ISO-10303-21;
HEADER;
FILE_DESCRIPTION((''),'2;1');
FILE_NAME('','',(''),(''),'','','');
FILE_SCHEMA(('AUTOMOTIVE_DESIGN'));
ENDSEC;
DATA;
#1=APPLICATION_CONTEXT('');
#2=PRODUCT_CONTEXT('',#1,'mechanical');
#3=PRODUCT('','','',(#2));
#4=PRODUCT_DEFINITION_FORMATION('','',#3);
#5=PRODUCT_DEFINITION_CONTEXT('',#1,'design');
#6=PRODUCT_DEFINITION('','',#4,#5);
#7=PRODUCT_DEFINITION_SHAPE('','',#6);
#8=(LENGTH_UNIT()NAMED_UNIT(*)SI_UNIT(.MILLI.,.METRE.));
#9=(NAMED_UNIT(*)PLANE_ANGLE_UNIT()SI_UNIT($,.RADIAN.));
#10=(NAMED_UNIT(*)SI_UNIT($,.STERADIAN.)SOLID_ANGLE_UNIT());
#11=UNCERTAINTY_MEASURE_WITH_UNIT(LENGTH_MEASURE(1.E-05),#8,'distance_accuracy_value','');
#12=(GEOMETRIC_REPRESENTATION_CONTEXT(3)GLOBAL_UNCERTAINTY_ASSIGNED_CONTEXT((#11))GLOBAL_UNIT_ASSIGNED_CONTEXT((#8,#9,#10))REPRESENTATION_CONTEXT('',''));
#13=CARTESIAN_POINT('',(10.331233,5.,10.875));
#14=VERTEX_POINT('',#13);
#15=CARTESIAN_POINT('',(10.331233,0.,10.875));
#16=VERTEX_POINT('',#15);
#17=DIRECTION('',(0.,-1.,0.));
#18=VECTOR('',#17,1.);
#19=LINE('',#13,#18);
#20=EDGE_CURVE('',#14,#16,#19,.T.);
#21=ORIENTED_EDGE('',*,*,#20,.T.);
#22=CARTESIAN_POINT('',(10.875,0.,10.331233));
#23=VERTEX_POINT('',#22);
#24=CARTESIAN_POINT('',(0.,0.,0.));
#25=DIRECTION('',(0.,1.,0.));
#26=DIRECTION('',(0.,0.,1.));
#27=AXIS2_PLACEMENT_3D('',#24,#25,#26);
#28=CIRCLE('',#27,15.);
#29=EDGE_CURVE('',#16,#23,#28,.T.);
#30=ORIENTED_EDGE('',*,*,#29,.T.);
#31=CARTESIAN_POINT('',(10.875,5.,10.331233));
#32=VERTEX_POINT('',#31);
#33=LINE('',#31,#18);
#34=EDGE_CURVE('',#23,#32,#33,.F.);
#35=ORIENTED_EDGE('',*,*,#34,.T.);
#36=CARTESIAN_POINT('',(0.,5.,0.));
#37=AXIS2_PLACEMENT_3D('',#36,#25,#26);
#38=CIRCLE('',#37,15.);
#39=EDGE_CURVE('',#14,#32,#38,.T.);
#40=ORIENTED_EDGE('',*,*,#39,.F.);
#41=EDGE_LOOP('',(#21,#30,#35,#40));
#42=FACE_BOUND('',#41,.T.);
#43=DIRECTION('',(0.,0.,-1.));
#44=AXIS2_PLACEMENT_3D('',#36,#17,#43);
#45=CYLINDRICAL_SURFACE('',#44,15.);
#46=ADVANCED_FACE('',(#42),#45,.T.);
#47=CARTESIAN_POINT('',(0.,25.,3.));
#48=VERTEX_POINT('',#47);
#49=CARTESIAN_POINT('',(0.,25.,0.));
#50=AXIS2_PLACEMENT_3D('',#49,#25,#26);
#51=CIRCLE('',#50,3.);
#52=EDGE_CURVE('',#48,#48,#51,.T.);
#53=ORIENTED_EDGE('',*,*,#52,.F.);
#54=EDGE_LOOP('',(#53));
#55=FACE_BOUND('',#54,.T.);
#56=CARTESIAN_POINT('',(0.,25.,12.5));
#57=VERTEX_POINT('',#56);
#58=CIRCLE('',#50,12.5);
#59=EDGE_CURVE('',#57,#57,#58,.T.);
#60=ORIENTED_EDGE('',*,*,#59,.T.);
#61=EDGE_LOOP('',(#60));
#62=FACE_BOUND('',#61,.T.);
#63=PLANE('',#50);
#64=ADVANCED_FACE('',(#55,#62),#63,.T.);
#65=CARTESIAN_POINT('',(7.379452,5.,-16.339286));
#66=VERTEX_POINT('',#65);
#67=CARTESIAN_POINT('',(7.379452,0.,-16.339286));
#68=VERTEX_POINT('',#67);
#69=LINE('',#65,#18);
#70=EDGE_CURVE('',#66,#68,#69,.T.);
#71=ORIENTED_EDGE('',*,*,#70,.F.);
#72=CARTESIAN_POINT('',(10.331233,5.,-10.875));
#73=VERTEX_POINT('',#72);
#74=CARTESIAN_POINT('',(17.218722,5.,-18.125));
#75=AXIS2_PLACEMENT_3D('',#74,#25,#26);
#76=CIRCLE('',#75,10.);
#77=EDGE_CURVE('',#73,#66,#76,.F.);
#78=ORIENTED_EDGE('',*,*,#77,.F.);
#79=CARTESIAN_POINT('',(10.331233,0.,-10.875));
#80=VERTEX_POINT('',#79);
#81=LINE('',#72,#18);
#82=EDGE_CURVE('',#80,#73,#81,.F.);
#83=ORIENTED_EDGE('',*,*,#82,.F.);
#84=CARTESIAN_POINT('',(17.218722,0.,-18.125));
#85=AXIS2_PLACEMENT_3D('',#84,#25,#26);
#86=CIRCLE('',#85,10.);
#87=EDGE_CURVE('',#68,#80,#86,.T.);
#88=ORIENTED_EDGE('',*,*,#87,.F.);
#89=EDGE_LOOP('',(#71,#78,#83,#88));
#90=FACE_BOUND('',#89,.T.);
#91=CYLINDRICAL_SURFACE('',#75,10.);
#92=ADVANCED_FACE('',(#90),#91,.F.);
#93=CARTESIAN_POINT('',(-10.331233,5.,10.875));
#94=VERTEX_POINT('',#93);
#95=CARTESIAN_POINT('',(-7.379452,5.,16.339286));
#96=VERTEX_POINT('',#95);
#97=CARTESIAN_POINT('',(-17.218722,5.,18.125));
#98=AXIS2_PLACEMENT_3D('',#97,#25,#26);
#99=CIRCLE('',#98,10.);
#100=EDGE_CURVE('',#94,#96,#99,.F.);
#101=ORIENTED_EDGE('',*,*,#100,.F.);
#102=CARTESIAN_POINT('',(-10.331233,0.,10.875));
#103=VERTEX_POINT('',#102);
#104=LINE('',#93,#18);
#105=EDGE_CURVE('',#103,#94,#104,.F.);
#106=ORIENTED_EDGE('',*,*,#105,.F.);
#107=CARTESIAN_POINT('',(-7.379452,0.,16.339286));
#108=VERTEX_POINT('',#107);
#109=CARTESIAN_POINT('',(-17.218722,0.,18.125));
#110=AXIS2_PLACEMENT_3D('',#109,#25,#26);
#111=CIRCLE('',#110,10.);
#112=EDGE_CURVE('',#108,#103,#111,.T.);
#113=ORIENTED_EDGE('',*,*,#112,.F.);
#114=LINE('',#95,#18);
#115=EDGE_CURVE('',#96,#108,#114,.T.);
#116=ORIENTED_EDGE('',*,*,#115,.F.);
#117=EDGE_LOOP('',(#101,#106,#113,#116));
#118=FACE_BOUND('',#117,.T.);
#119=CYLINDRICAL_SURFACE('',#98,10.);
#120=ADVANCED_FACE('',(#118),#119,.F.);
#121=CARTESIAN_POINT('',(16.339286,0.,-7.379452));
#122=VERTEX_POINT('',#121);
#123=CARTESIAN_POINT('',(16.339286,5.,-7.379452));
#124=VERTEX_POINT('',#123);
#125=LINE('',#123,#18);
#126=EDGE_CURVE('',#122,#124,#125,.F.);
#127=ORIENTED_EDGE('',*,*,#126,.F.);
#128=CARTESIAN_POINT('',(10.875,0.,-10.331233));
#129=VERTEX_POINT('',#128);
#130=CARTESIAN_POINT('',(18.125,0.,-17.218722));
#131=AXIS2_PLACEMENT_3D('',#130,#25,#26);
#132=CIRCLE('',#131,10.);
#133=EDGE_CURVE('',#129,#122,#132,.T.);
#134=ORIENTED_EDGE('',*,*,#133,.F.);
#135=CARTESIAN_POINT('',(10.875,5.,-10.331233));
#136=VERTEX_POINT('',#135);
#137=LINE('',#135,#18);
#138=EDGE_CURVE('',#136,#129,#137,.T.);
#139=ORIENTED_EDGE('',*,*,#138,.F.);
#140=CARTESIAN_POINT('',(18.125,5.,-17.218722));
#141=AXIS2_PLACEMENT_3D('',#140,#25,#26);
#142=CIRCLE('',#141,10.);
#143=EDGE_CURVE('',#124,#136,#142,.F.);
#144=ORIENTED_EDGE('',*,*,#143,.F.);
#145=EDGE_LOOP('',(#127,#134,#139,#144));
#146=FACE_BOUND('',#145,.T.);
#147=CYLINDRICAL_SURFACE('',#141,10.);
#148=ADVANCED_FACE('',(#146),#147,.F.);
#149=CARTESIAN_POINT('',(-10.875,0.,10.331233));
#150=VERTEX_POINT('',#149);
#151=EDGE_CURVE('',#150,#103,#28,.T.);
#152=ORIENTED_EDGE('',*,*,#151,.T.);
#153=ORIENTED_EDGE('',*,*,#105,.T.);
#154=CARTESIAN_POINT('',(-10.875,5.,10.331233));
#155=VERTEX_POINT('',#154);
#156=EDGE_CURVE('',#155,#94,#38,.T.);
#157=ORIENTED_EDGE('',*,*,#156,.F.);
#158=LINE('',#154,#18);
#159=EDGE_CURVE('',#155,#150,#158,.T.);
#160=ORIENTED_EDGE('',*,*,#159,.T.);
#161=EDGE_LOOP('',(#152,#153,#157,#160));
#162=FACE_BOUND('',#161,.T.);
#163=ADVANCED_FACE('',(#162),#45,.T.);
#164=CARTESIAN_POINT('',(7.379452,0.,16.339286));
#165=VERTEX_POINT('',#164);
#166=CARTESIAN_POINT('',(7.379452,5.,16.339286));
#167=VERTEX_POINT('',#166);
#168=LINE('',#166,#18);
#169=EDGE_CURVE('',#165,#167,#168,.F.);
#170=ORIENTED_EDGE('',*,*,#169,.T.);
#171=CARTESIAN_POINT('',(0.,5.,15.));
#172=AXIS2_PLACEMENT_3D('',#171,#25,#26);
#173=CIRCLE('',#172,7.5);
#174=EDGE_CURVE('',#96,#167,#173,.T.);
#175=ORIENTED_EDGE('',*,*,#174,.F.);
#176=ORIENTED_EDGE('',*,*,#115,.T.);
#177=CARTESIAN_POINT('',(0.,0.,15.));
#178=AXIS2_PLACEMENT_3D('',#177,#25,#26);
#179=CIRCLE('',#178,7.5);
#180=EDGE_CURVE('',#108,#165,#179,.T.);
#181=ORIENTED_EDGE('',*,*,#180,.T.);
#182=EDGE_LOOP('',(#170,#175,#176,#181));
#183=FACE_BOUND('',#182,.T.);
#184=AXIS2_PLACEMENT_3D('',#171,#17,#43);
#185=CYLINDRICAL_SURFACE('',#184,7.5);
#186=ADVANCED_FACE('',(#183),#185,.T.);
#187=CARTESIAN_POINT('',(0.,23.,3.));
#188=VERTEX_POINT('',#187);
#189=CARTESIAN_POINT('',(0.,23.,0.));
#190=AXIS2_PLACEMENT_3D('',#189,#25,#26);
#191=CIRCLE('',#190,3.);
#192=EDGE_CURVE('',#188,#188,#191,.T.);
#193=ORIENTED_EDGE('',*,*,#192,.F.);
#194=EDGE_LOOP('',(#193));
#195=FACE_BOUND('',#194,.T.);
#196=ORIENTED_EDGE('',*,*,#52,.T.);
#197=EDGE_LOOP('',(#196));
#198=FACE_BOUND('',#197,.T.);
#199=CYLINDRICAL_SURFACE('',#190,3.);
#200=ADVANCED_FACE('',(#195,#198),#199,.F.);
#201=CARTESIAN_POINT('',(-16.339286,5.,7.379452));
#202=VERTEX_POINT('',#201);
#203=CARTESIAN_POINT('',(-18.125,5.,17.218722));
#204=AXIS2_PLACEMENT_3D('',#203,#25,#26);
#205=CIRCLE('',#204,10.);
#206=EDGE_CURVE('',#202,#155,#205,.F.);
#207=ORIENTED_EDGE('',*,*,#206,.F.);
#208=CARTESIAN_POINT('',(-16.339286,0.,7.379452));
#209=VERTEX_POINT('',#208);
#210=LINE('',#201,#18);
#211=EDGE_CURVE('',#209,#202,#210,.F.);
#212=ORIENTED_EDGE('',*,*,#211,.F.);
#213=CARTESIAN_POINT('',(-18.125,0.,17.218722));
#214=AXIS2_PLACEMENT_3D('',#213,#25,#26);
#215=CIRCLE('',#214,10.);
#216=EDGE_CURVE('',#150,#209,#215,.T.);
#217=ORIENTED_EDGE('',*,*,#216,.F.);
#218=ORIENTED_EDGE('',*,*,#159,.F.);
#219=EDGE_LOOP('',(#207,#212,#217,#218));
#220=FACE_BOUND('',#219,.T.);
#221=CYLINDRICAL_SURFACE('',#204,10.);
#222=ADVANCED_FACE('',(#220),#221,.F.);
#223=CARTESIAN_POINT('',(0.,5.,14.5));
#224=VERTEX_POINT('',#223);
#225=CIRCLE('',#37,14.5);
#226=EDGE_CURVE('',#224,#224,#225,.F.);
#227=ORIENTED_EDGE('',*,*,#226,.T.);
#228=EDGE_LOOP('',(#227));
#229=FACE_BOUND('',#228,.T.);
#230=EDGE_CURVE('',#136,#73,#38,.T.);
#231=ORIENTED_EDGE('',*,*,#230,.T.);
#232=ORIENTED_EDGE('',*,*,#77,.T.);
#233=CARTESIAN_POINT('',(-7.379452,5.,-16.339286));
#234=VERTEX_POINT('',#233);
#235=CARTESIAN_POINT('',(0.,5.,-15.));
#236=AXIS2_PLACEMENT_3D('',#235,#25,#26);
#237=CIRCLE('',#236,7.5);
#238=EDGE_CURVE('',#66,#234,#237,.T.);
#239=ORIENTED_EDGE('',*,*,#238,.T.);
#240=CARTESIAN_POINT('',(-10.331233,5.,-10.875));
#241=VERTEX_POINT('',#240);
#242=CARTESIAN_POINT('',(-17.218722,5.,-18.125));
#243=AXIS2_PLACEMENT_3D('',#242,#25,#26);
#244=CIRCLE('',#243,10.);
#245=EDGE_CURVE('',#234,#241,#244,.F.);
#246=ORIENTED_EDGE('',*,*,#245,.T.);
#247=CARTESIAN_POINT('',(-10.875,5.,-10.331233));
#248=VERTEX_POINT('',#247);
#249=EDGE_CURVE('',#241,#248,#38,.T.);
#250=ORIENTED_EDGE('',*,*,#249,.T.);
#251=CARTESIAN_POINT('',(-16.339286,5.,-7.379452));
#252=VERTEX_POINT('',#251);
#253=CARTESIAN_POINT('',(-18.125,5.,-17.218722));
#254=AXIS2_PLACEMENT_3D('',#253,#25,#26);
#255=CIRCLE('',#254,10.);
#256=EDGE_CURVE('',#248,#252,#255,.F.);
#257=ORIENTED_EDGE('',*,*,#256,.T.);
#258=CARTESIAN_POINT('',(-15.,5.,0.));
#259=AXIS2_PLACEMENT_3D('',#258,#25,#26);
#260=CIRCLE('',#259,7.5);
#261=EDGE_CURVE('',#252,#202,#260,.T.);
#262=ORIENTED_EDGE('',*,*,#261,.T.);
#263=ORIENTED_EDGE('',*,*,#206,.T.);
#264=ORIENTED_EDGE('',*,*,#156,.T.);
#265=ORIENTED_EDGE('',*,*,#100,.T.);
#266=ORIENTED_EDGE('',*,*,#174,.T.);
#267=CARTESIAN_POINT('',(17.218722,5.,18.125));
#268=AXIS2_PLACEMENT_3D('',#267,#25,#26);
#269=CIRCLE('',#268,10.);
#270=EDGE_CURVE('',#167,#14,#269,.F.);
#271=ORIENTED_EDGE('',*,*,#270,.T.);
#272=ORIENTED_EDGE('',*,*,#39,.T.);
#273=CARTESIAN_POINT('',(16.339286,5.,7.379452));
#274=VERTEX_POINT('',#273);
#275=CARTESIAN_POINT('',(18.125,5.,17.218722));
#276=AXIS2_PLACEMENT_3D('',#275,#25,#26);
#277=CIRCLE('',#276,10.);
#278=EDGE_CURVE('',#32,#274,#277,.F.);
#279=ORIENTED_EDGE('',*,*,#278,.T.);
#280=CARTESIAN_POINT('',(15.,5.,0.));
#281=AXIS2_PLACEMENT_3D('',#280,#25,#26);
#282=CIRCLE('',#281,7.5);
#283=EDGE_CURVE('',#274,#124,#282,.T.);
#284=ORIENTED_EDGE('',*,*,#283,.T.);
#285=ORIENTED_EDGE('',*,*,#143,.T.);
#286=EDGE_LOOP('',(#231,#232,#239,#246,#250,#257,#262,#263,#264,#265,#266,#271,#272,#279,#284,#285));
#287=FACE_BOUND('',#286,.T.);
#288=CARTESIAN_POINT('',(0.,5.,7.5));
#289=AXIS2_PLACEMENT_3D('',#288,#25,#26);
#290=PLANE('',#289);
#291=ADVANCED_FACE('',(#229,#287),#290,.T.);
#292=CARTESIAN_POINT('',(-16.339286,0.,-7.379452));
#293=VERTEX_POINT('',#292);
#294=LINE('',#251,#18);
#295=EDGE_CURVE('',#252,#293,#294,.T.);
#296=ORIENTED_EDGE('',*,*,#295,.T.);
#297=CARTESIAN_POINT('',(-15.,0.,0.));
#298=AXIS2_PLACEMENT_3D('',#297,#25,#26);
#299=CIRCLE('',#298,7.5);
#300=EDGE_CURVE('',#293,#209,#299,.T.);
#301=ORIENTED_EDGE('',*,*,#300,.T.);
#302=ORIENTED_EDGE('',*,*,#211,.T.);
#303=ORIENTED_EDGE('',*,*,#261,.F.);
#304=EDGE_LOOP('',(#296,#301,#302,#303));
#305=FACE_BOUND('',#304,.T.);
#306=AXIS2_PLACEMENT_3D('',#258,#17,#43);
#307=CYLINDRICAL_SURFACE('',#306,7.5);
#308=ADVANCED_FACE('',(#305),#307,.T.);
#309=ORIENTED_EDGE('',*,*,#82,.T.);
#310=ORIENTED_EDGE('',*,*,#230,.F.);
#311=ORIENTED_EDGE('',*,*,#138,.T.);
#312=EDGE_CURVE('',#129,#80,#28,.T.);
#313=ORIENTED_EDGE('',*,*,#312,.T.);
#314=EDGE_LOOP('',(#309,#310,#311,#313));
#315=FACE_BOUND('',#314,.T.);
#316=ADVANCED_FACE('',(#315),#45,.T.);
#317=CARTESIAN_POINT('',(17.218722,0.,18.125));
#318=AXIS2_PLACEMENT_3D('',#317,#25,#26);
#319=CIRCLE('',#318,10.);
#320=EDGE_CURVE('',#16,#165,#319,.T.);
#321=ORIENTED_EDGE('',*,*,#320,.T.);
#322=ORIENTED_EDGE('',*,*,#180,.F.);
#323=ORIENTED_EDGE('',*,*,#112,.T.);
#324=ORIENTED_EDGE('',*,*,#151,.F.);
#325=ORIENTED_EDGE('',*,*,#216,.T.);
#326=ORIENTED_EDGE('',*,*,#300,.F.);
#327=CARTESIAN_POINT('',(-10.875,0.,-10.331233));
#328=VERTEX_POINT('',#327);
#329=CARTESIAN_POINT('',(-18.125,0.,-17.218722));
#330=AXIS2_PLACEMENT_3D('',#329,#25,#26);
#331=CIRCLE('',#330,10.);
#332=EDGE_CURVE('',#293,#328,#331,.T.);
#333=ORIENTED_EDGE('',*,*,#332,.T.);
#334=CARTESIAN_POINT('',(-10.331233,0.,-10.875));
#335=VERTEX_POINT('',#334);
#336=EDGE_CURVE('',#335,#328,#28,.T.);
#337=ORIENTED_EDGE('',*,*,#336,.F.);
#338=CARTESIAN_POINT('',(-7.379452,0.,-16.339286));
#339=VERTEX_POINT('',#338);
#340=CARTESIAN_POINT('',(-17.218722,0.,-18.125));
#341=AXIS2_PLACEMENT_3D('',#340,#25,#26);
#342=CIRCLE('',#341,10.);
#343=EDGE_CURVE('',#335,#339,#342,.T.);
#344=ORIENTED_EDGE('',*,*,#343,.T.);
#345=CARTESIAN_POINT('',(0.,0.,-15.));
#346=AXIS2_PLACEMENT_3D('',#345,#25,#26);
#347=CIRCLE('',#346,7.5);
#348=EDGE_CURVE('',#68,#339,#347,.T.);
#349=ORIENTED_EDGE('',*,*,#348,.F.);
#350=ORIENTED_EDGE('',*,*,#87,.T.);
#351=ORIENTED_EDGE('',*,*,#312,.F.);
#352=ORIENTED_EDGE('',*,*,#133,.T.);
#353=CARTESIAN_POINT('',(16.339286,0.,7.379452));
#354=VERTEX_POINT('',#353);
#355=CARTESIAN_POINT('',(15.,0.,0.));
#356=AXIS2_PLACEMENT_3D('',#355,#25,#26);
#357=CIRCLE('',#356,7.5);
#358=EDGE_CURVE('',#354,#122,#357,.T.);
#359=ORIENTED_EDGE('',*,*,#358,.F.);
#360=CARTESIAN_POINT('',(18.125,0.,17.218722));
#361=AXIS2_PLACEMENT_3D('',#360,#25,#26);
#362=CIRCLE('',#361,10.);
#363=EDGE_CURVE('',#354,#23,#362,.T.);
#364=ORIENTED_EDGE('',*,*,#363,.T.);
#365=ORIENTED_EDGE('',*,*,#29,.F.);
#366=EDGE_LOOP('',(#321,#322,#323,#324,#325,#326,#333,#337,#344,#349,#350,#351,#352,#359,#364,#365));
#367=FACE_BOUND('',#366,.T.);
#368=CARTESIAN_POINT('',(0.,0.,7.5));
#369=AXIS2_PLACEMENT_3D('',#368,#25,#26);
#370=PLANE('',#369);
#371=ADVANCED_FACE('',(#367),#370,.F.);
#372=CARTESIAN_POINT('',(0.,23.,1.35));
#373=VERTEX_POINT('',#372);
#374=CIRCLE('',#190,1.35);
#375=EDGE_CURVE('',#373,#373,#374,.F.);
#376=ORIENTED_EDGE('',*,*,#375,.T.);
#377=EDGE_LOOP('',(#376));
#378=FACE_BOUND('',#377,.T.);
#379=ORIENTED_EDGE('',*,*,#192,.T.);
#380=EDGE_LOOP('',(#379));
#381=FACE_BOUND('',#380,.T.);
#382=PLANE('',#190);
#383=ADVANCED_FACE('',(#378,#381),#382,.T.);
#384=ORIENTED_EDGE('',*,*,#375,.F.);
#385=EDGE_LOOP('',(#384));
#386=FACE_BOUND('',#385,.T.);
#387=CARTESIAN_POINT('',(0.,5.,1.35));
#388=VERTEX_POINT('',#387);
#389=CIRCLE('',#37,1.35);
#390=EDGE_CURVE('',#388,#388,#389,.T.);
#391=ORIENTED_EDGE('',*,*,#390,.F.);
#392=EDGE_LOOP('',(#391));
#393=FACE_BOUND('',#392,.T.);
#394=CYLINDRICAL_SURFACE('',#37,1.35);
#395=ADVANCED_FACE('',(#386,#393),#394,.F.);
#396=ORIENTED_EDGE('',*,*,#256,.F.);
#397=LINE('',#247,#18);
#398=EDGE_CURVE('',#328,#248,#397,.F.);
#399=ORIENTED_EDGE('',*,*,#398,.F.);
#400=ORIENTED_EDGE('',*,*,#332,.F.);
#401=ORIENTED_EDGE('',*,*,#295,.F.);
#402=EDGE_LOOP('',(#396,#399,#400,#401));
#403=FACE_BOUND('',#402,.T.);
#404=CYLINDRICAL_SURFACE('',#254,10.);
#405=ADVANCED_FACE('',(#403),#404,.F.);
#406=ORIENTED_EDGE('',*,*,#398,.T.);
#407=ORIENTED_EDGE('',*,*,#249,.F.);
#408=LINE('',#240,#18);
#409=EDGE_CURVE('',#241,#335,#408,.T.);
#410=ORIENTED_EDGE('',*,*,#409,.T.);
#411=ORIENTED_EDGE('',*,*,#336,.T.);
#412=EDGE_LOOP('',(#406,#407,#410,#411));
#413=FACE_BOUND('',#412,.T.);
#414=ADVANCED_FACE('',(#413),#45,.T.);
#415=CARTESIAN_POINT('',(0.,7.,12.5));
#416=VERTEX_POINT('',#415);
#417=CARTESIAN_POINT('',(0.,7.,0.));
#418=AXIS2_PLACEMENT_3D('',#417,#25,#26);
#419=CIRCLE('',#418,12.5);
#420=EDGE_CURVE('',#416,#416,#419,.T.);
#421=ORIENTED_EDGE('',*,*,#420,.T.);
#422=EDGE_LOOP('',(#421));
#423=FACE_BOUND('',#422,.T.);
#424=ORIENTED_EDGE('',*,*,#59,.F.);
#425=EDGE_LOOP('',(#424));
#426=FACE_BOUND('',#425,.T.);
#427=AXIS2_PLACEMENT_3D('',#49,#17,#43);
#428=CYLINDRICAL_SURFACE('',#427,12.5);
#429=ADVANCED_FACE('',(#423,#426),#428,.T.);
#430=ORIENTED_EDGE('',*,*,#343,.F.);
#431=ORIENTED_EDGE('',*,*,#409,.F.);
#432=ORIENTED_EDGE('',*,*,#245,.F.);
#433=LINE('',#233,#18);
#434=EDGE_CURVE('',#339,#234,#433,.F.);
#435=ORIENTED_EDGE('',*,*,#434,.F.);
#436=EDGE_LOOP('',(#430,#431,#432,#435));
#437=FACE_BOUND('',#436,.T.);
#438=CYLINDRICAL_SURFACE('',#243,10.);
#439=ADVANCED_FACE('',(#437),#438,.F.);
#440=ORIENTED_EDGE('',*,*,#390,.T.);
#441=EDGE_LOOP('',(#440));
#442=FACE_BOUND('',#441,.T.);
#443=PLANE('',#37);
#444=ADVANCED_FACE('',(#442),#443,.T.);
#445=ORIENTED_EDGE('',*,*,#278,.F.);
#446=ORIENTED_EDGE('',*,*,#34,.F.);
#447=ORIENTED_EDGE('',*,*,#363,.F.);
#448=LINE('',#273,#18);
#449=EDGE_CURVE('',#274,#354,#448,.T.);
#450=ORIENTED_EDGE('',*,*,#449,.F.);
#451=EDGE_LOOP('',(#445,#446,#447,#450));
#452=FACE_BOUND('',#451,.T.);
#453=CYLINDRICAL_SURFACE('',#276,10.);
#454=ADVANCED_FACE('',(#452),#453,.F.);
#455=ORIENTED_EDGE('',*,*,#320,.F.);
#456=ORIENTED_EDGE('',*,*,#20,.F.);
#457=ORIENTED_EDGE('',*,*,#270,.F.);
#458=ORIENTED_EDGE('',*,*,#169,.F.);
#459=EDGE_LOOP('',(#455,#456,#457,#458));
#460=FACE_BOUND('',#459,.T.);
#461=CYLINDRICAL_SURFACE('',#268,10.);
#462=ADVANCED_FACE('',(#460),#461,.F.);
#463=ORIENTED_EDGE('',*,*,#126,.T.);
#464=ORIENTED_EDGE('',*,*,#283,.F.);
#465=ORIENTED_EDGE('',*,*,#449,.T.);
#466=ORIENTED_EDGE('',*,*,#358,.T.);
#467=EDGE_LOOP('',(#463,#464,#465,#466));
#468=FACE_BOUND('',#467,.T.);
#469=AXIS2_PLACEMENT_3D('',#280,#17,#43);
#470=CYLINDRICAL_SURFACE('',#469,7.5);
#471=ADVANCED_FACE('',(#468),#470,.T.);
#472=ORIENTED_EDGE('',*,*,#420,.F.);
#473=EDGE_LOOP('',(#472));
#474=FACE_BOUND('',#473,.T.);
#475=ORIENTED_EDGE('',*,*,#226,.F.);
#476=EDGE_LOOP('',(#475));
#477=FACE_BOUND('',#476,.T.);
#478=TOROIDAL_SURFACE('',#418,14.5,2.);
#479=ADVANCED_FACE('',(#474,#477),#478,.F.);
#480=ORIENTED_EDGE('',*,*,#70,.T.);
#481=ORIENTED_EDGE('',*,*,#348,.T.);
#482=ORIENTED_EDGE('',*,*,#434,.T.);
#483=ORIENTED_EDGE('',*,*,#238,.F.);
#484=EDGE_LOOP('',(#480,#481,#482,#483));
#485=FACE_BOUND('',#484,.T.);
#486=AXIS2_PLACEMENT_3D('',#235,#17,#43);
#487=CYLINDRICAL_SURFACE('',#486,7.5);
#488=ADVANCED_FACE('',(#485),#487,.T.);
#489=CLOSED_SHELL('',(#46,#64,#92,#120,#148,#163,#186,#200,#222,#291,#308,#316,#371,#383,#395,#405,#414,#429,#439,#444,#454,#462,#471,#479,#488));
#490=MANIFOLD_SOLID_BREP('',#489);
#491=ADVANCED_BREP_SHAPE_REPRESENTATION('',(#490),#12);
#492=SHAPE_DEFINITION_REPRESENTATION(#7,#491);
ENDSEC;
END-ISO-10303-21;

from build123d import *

# Parameters (mm, degrees)
BOSS_EXTRUDE1_DEPTH = 5
FILLET1_R           = 10
SKETCH3_R           = 12.5
BOSS_EXTRUDE2_DEPTH = 20
SKETCH4_R           = 1.35
CUT_EXTRUDE1_DEPTH  = 20
SKETCH5_R           = 3
CUT_EXTRUDE2_DEPTH  = 2
FILLET3_R           = 2


with BuildPart() as part:
    # Sketch2 → Boss-Extrude1 (new body)
    with BuildSketch(Plane(origin=(0, 0, 0), x_dir=(1, 0, 0), z_dir=(0, 1, 0))):
        with BuildLine():
            ThreePointArc((-13.125, -7.261843774), (-10.606601718, -10.606601718), (-7.261843774, -13.125))
            ThreePointArc((-7.261843774, -13.125), (0, -22.5), (7.261843774, -13.125))
            ThreePointArc((7.261843774, -13.125), (10.606601718, -10.606601718), (13.125, -7.261843774))
            ThreePointArc((13.125, -7.261843774), (22.5, 0), (13.125, 7.261843774))
            ThreePointArc((13.125, 7.261843774), (10.606601718, 10.606601718), (7.261843774, 13.125))
            ThreePointArc((7.261843774, 13.125), (0, 22.5), (-7.261843774, 13.125))
            ThreePointArc((-7.261843774, 13.125), (-10.606601718, 10.606601718), (-13.125, 7.261843774))
            ThreePointArc((-13.125, 7.261843774), (-22.5, 0), (-13.125, -7.261843774))
        make_face()
    extrude(amount=BOSS_EXTRUDE1_DEPTH)

    # Fillet1
    fillet1_edges = [part.edges().sort_by_distance(p)[0] for p in [
        (-13.125, 2.5, 7.261843774),
        (-13.125, 2.5, -7.261843774),
        (-7.261843774, 2.5, -13.125),
        (7.261843774, 2.5, -13.125),
        (13.125, 2.5, -7.261843774),
        (13.125, 2.5, 7.261843774),
        (7.261843774, 2.5, 13.125),
        (-7.261843774, 2.5, 13.125),
    ]]
    fillet(fillet1_edges, radius=FILLET1_R)

    # Sketch3 → Boss-Extrude2 (add)
    with BuildSketch(Plane(origin=(0, 5, 0), x_dir=(1, 0, 0), z_dir=(0, 1, 0))):
        with Locations(Location((0, 0, 0), (0, 0, 270))):
            Circle(SKETCH3_R)
    extrude(amount=BOSS_EXTRUDE2_DEPTH)

    # Sketch4 → Cut-Extrude1 (cut)
    with BuildSketch(Plane(origin=(0, 25, 0), x_dir=(1, 0, 0), z_dir=(0, 1, 0))):
        with Locations(Location((0, 0, 0), (0, 0, 270))):
            Circle(SKETCH4_R)
    extrude(amount=-CUT_EXTRUDE1_DEPTH, mode=Mode.SUBTRACT)

    # Sketch5 → Cut-Extrude2 (cut)
    with BuildSketch(Plane(origin=(0, 25, 0), x_dir=(1, 0, 0), z_dir=(0, 1, 0))):
        with Locations(Location((0, 0, 0), (0, 0, 270))):
            Circle(SKETCH5_R)
    extrude(amount=-CUT_EXTRUDE2_DEPTH, mode=Mode.SUBTRACT)

    # Fillet3
    fillet3_edges = [part.edges().sort_by_distance(p)[0] for p in [
        (0, 5, -12.5),
    ]]
    fillet(fillet3_edges, radius=FILLET3_R)


solid = part.part
